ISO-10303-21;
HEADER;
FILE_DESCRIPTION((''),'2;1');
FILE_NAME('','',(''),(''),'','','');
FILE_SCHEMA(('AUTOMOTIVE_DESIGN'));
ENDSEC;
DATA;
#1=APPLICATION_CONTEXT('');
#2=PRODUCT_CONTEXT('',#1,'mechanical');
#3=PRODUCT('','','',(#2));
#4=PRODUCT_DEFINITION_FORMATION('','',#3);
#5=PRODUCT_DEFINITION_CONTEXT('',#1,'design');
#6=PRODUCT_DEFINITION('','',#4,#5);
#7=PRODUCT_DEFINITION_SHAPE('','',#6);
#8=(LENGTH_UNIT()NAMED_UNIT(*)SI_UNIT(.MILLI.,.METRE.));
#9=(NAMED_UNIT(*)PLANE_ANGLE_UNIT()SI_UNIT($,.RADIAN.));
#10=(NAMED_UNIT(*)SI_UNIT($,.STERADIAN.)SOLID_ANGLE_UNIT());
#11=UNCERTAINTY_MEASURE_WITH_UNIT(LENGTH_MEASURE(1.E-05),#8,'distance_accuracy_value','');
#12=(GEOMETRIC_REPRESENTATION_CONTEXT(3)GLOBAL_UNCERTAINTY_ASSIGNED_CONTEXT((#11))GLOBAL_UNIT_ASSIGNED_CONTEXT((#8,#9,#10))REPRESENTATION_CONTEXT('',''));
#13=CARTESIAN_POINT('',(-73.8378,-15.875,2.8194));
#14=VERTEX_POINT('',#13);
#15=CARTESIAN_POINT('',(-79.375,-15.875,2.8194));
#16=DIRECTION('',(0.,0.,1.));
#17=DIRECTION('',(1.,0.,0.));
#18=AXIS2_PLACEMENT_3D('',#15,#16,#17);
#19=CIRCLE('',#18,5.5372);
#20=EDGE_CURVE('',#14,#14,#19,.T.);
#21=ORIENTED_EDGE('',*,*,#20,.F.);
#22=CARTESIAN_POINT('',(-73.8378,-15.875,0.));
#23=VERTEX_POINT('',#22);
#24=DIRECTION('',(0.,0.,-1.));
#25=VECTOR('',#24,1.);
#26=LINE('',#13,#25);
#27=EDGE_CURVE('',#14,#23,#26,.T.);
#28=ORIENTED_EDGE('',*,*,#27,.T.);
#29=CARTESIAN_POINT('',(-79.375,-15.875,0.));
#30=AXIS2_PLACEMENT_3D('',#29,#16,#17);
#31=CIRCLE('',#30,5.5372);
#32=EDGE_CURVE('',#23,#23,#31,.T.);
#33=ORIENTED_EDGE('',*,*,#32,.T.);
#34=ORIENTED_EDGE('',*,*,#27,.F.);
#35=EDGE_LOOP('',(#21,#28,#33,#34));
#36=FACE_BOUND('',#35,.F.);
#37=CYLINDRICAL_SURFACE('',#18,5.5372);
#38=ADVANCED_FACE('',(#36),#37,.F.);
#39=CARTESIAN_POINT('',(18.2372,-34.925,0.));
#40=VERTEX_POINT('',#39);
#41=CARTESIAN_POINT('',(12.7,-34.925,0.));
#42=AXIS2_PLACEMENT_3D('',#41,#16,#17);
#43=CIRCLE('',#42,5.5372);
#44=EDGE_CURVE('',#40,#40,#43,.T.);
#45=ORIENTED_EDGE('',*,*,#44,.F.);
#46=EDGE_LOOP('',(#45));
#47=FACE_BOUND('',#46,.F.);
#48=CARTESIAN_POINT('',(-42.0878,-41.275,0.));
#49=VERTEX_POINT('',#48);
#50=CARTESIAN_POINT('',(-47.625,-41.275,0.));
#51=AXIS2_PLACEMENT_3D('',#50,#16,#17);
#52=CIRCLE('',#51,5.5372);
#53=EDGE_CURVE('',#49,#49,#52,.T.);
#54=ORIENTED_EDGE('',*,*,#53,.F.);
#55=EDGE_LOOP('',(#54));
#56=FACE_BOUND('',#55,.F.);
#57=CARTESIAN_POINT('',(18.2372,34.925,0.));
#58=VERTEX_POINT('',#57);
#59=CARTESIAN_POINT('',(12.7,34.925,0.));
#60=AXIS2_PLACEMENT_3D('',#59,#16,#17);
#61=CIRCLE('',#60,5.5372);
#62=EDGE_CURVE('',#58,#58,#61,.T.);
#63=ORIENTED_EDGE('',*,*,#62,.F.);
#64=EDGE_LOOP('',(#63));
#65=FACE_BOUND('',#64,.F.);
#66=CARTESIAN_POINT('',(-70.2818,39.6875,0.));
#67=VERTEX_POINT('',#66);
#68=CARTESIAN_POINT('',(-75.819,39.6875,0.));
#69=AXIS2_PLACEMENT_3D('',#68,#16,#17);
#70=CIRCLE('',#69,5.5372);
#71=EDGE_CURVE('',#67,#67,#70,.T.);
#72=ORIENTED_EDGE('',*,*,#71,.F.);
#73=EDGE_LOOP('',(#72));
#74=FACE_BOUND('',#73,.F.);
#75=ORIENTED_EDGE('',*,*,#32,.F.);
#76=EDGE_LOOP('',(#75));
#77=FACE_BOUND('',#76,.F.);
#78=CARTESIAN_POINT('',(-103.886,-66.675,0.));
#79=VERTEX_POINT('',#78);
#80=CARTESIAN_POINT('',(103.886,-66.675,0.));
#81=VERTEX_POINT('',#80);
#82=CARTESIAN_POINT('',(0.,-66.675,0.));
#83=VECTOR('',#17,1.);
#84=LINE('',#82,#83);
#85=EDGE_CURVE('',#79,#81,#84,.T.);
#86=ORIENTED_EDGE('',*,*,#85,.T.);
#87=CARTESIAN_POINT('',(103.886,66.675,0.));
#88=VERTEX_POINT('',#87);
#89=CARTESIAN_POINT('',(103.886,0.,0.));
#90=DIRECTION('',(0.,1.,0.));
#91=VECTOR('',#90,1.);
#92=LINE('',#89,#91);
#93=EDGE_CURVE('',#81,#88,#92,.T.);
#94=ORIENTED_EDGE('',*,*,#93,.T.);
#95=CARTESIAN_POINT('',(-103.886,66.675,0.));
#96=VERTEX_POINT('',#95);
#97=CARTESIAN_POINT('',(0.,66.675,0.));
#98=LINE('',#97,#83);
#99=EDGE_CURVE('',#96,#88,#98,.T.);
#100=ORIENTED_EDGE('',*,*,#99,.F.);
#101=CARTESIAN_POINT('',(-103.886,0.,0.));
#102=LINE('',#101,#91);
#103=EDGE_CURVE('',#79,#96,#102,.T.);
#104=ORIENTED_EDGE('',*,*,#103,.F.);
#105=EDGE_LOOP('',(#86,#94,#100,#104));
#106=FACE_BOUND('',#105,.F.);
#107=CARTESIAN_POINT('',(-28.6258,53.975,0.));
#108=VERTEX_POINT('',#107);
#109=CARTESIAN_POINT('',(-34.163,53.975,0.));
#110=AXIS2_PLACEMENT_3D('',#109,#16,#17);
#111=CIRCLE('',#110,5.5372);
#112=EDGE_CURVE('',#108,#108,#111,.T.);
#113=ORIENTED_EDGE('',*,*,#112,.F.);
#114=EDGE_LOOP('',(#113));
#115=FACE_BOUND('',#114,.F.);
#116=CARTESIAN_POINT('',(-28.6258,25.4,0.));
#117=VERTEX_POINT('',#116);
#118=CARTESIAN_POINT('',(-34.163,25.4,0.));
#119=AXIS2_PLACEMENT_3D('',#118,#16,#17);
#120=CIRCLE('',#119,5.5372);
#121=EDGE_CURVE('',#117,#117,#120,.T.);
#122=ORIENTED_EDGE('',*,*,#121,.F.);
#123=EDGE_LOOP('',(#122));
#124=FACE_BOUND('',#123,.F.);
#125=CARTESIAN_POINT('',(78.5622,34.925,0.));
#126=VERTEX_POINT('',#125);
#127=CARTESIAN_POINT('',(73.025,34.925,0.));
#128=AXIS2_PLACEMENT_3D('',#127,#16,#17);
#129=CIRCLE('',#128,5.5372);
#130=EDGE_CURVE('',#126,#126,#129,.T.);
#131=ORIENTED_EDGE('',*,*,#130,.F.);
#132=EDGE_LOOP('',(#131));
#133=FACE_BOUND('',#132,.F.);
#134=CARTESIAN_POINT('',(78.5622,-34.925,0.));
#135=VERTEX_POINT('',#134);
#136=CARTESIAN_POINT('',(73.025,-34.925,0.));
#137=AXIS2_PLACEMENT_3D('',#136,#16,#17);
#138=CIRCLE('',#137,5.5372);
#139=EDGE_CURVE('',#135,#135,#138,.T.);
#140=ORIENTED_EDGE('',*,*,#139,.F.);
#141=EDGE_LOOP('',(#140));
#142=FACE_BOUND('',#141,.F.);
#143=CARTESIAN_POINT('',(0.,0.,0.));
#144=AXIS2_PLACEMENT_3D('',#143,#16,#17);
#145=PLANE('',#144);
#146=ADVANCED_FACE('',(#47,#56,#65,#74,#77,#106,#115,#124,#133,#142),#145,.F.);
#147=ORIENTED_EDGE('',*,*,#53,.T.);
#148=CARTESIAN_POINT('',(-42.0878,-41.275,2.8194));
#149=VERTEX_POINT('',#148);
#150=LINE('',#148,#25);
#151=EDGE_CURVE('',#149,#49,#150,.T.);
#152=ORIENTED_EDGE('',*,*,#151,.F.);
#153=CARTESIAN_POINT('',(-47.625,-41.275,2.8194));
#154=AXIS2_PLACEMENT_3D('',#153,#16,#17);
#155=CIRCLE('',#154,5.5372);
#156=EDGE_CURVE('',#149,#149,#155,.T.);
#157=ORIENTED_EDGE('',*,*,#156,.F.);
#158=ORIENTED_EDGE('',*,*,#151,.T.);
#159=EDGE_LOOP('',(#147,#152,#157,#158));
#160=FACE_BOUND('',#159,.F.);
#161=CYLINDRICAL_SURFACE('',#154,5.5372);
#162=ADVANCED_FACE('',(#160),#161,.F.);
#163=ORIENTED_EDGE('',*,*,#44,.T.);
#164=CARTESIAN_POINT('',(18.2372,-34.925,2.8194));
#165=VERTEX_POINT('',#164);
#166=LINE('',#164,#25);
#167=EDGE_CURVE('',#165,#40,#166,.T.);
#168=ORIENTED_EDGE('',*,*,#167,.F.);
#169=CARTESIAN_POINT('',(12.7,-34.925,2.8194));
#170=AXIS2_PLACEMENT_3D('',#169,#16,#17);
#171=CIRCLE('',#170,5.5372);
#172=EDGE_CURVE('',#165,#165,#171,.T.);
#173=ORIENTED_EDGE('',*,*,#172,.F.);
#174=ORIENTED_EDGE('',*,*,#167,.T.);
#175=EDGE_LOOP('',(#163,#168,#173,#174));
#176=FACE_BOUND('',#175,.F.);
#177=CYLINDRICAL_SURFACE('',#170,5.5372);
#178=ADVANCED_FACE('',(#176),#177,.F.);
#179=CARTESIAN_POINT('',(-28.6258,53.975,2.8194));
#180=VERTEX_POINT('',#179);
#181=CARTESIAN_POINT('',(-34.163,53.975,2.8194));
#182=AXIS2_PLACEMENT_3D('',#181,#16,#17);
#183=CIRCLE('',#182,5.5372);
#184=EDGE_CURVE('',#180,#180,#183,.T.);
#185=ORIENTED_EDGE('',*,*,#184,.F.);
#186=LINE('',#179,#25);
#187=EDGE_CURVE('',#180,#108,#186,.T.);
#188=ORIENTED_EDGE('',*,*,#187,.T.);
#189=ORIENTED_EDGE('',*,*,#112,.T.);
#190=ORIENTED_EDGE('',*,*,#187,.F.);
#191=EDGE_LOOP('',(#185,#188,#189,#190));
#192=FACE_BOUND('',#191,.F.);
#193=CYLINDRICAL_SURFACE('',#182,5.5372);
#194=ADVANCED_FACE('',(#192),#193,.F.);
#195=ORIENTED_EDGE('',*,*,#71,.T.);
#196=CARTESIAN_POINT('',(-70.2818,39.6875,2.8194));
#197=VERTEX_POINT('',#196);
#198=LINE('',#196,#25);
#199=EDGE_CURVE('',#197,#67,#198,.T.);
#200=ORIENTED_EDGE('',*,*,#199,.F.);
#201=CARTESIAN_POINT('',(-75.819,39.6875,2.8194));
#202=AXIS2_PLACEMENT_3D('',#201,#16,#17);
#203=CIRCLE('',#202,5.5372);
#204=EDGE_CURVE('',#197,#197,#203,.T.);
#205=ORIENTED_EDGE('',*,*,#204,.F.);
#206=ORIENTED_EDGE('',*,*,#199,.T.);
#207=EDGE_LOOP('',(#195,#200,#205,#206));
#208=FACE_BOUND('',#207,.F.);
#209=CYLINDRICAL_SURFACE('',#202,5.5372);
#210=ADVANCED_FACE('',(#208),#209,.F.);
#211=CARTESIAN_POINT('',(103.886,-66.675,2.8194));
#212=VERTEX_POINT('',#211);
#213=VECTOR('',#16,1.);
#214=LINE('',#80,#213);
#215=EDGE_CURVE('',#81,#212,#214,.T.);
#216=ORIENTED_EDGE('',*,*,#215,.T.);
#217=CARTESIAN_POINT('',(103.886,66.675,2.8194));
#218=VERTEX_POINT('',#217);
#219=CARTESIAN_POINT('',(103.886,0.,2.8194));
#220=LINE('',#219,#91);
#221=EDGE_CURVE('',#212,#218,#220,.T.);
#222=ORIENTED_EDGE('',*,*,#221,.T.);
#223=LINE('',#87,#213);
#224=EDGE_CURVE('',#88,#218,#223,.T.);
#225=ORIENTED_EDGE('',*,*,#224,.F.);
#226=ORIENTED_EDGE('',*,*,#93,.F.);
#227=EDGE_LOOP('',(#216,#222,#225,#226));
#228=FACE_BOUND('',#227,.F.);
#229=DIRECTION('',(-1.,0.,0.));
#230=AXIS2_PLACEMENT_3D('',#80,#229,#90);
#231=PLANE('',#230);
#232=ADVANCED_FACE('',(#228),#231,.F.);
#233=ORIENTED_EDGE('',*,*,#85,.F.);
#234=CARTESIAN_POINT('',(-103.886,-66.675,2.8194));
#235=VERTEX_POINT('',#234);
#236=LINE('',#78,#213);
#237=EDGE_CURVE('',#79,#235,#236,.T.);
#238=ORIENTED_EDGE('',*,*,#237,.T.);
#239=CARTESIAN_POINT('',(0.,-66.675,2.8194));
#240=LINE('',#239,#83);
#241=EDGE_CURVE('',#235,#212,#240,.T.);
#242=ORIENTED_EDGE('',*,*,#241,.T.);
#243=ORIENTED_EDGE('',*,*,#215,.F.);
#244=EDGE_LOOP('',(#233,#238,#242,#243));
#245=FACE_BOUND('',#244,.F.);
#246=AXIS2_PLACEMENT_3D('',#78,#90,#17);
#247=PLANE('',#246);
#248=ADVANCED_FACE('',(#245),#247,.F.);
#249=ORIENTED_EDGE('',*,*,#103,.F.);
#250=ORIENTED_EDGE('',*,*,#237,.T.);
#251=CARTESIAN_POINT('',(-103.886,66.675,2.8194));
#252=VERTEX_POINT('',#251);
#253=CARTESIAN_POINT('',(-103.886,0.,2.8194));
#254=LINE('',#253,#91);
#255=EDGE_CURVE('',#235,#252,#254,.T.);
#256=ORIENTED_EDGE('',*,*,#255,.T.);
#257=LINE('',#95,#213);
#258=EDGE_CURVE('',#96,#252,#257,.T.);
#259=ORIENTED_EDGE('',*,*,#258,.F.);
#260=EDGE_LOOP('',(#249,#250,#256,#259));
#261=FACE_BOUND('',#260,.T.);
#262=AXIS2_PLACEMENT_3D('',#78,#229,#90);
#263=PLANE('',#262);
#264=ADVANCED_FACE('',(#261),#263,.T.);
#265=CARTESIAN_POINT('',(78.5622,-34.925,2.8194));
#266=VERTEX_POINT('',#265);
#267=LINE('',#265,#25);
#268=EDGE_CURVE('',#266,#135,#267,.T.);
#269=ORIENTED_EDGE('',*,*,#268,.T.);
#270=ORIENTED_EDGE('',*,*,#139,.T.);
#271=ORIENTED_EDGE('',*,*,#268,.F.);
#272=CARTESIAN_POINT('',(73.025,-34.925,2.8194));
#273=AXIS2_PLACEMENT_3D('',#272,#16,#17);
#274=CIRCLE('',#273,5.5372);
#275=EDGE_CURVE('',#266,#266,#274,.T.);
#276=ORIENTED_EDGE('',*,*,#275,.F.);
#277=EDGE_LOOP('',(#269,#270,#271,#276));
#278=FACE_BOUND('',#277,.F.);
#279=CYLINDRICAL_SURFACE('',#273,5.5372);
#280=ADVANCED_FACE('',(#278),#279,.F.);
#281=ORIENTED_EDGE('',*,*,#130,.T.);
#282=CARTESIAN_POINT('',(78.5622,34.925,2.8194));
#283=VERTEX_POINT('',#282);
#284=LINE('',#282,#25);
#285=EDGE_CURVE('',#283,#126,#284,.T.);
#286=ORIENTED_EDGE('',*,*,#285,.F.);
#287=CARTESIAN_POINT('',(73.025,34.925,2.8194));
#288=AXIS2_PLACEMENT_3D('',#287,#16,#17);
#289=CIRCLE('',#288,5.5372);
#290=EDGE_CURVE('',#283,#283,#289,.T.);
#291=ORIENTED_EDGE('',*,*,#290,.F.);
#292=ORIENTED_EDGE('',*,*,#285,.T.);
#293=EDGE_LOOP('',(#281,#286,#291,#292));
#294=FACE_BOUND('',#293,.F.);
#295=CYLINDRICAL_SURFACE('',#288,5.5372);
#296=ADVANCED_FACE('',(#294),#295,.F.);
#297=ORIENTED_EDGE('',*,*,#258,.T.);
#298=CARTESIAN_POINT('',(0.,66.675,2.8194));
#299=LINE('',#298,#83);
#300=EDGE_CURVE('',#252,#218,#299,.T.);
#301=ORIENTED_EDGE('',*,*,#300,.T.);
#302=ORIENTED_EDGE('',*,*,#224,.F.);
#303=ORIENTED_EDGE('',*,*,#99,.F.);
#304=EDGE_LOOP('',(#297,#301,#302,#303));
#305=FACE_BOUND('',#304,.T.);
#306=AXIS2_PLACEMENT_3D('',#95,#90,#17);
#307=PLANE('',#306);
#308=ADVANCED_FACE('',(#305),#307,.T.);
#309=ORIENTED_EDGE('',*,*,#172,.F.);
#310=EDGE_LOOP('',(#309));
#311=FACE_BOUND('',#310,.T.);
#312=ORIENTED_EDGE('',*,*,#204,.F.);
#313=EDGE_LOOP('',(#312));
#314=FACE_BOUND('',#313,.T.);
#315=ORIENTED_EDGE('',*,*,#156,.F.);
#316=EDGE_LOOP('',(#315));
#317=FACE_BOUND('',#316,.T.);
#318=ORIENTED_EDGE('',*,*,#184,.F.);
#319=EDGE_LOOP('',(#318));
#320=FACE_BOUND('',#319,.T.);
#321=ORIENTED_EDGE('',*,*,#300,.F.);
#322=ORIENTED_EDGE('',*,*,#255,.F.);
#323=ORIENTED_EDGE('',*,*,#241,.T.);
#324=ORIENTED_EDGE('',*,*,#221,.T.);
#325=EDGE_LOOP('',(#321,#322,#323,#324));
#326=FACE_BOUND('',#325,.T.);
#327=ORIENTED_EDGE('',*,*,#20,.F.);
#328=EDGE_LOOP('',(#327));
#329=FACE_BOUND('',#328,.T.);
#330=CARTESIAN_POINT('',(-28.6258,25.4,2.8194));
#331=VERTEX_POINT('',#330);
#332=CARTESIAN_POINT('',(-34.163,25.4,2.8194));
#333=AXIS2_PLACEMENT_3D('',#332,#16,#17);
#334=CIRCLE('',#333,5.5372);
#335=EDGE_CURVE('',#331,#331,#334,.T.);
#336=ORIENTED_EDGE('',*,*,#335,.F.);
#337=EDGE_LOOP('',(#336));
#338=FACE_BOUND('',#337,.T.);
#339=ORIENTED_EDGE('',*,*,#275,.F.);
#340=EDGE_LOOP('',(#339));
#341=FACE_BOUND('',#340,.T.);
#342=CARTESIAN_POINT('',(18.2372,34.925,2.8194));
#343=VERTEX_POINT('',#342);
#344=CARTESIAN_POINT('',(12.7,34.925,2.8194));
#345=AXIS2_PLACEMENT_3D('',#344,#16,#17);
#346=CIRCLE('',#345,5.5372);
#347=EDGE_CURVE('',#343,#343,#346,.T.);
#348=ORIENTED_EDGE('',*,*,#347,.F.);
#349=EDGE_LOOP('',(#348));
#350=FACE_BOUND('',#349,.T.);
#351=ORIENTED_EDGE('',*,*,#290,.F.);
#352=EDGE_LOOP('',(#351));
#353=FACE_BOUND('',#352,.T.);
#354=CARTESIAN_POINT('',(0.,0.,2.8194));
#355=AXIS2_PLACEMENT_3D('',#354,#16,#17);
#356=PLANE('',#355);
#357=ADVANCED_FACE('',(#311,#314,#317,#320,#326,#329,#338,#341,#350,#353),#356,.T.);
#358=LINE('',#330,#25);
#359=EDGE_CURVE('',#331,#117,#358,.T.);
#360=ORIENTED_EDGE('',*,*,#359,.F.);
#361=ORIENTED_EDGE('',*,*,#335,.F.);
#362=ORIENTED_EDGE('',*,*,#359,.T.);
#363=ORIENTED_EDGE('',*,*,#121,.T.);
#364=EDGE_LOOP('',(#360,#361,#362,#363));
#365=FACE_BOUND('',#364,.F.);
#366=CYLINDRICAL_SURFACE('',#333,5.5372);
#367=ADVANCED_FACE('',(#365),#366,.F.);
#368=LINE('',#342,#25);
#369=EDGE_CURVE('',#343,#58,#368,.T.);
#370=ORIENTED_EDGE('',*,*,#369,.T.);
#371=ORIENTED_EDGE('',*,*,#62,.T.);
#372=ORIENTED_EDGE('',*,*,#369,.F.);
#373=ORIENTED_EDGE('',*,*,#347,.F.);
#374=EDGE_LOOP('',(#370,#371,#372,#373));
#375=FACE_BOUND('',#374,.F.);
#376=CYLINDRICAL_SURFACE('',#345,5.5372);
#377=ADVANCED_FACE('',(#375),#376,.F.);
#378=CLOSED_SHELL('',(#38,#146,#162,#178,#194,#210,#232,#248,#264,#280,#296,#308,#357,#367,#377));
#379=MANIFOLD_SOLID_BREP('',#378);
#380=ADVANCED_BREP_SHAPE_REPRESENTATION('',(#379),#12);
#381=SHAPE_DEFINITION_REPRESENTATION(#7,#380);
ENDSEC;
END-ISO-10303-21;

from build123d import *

# Parameters (mm, degrees)
F0_W     = 207.772
F0_H     = 133.35
F1_DEPTH = 2.8194
F2_R     = 5.5372
F3_DEPTH = 2.8204


with BuildPart() as f1:
    # F0 (on Top) → F1 (new body)
    with BuildSketch(Plane.XY):
        Rectangle(F0_W, F0_H)
    extrude(amount=F1_DEPTH)

    # F2 (on face) → F3 (cut, through all)
    with BuildSketch(Plane.XY.offset(2.8194)):
        with Locations((-75.819, 39.6875)):
            Circle(F2_R)
        with Locations((-79.375, -15.875)):
            Circle(F2_R)
        with Locations((-34.163, 53.975)):
            Circle(F2_R)
        with Locations((-34.163, 25.4)):
            Circle(F2_R)
        with Locations((12.7, 34.925)):
            Circle(F2_R)
        with Locations((-47.625, -41.275)):
            Circle(F2_R)
        with Locations((73.025, 34.925)):
            Circle(F2_R)
        with Locations((12.7, -34.925)):
            Circle(F2_R)
        with Locations((73.025, -34.925)):
            Circle(F2_R)
    extrude(amount=-F3_DEPTH, mode=Mode.SUBTRACT)


solid = f1.part
